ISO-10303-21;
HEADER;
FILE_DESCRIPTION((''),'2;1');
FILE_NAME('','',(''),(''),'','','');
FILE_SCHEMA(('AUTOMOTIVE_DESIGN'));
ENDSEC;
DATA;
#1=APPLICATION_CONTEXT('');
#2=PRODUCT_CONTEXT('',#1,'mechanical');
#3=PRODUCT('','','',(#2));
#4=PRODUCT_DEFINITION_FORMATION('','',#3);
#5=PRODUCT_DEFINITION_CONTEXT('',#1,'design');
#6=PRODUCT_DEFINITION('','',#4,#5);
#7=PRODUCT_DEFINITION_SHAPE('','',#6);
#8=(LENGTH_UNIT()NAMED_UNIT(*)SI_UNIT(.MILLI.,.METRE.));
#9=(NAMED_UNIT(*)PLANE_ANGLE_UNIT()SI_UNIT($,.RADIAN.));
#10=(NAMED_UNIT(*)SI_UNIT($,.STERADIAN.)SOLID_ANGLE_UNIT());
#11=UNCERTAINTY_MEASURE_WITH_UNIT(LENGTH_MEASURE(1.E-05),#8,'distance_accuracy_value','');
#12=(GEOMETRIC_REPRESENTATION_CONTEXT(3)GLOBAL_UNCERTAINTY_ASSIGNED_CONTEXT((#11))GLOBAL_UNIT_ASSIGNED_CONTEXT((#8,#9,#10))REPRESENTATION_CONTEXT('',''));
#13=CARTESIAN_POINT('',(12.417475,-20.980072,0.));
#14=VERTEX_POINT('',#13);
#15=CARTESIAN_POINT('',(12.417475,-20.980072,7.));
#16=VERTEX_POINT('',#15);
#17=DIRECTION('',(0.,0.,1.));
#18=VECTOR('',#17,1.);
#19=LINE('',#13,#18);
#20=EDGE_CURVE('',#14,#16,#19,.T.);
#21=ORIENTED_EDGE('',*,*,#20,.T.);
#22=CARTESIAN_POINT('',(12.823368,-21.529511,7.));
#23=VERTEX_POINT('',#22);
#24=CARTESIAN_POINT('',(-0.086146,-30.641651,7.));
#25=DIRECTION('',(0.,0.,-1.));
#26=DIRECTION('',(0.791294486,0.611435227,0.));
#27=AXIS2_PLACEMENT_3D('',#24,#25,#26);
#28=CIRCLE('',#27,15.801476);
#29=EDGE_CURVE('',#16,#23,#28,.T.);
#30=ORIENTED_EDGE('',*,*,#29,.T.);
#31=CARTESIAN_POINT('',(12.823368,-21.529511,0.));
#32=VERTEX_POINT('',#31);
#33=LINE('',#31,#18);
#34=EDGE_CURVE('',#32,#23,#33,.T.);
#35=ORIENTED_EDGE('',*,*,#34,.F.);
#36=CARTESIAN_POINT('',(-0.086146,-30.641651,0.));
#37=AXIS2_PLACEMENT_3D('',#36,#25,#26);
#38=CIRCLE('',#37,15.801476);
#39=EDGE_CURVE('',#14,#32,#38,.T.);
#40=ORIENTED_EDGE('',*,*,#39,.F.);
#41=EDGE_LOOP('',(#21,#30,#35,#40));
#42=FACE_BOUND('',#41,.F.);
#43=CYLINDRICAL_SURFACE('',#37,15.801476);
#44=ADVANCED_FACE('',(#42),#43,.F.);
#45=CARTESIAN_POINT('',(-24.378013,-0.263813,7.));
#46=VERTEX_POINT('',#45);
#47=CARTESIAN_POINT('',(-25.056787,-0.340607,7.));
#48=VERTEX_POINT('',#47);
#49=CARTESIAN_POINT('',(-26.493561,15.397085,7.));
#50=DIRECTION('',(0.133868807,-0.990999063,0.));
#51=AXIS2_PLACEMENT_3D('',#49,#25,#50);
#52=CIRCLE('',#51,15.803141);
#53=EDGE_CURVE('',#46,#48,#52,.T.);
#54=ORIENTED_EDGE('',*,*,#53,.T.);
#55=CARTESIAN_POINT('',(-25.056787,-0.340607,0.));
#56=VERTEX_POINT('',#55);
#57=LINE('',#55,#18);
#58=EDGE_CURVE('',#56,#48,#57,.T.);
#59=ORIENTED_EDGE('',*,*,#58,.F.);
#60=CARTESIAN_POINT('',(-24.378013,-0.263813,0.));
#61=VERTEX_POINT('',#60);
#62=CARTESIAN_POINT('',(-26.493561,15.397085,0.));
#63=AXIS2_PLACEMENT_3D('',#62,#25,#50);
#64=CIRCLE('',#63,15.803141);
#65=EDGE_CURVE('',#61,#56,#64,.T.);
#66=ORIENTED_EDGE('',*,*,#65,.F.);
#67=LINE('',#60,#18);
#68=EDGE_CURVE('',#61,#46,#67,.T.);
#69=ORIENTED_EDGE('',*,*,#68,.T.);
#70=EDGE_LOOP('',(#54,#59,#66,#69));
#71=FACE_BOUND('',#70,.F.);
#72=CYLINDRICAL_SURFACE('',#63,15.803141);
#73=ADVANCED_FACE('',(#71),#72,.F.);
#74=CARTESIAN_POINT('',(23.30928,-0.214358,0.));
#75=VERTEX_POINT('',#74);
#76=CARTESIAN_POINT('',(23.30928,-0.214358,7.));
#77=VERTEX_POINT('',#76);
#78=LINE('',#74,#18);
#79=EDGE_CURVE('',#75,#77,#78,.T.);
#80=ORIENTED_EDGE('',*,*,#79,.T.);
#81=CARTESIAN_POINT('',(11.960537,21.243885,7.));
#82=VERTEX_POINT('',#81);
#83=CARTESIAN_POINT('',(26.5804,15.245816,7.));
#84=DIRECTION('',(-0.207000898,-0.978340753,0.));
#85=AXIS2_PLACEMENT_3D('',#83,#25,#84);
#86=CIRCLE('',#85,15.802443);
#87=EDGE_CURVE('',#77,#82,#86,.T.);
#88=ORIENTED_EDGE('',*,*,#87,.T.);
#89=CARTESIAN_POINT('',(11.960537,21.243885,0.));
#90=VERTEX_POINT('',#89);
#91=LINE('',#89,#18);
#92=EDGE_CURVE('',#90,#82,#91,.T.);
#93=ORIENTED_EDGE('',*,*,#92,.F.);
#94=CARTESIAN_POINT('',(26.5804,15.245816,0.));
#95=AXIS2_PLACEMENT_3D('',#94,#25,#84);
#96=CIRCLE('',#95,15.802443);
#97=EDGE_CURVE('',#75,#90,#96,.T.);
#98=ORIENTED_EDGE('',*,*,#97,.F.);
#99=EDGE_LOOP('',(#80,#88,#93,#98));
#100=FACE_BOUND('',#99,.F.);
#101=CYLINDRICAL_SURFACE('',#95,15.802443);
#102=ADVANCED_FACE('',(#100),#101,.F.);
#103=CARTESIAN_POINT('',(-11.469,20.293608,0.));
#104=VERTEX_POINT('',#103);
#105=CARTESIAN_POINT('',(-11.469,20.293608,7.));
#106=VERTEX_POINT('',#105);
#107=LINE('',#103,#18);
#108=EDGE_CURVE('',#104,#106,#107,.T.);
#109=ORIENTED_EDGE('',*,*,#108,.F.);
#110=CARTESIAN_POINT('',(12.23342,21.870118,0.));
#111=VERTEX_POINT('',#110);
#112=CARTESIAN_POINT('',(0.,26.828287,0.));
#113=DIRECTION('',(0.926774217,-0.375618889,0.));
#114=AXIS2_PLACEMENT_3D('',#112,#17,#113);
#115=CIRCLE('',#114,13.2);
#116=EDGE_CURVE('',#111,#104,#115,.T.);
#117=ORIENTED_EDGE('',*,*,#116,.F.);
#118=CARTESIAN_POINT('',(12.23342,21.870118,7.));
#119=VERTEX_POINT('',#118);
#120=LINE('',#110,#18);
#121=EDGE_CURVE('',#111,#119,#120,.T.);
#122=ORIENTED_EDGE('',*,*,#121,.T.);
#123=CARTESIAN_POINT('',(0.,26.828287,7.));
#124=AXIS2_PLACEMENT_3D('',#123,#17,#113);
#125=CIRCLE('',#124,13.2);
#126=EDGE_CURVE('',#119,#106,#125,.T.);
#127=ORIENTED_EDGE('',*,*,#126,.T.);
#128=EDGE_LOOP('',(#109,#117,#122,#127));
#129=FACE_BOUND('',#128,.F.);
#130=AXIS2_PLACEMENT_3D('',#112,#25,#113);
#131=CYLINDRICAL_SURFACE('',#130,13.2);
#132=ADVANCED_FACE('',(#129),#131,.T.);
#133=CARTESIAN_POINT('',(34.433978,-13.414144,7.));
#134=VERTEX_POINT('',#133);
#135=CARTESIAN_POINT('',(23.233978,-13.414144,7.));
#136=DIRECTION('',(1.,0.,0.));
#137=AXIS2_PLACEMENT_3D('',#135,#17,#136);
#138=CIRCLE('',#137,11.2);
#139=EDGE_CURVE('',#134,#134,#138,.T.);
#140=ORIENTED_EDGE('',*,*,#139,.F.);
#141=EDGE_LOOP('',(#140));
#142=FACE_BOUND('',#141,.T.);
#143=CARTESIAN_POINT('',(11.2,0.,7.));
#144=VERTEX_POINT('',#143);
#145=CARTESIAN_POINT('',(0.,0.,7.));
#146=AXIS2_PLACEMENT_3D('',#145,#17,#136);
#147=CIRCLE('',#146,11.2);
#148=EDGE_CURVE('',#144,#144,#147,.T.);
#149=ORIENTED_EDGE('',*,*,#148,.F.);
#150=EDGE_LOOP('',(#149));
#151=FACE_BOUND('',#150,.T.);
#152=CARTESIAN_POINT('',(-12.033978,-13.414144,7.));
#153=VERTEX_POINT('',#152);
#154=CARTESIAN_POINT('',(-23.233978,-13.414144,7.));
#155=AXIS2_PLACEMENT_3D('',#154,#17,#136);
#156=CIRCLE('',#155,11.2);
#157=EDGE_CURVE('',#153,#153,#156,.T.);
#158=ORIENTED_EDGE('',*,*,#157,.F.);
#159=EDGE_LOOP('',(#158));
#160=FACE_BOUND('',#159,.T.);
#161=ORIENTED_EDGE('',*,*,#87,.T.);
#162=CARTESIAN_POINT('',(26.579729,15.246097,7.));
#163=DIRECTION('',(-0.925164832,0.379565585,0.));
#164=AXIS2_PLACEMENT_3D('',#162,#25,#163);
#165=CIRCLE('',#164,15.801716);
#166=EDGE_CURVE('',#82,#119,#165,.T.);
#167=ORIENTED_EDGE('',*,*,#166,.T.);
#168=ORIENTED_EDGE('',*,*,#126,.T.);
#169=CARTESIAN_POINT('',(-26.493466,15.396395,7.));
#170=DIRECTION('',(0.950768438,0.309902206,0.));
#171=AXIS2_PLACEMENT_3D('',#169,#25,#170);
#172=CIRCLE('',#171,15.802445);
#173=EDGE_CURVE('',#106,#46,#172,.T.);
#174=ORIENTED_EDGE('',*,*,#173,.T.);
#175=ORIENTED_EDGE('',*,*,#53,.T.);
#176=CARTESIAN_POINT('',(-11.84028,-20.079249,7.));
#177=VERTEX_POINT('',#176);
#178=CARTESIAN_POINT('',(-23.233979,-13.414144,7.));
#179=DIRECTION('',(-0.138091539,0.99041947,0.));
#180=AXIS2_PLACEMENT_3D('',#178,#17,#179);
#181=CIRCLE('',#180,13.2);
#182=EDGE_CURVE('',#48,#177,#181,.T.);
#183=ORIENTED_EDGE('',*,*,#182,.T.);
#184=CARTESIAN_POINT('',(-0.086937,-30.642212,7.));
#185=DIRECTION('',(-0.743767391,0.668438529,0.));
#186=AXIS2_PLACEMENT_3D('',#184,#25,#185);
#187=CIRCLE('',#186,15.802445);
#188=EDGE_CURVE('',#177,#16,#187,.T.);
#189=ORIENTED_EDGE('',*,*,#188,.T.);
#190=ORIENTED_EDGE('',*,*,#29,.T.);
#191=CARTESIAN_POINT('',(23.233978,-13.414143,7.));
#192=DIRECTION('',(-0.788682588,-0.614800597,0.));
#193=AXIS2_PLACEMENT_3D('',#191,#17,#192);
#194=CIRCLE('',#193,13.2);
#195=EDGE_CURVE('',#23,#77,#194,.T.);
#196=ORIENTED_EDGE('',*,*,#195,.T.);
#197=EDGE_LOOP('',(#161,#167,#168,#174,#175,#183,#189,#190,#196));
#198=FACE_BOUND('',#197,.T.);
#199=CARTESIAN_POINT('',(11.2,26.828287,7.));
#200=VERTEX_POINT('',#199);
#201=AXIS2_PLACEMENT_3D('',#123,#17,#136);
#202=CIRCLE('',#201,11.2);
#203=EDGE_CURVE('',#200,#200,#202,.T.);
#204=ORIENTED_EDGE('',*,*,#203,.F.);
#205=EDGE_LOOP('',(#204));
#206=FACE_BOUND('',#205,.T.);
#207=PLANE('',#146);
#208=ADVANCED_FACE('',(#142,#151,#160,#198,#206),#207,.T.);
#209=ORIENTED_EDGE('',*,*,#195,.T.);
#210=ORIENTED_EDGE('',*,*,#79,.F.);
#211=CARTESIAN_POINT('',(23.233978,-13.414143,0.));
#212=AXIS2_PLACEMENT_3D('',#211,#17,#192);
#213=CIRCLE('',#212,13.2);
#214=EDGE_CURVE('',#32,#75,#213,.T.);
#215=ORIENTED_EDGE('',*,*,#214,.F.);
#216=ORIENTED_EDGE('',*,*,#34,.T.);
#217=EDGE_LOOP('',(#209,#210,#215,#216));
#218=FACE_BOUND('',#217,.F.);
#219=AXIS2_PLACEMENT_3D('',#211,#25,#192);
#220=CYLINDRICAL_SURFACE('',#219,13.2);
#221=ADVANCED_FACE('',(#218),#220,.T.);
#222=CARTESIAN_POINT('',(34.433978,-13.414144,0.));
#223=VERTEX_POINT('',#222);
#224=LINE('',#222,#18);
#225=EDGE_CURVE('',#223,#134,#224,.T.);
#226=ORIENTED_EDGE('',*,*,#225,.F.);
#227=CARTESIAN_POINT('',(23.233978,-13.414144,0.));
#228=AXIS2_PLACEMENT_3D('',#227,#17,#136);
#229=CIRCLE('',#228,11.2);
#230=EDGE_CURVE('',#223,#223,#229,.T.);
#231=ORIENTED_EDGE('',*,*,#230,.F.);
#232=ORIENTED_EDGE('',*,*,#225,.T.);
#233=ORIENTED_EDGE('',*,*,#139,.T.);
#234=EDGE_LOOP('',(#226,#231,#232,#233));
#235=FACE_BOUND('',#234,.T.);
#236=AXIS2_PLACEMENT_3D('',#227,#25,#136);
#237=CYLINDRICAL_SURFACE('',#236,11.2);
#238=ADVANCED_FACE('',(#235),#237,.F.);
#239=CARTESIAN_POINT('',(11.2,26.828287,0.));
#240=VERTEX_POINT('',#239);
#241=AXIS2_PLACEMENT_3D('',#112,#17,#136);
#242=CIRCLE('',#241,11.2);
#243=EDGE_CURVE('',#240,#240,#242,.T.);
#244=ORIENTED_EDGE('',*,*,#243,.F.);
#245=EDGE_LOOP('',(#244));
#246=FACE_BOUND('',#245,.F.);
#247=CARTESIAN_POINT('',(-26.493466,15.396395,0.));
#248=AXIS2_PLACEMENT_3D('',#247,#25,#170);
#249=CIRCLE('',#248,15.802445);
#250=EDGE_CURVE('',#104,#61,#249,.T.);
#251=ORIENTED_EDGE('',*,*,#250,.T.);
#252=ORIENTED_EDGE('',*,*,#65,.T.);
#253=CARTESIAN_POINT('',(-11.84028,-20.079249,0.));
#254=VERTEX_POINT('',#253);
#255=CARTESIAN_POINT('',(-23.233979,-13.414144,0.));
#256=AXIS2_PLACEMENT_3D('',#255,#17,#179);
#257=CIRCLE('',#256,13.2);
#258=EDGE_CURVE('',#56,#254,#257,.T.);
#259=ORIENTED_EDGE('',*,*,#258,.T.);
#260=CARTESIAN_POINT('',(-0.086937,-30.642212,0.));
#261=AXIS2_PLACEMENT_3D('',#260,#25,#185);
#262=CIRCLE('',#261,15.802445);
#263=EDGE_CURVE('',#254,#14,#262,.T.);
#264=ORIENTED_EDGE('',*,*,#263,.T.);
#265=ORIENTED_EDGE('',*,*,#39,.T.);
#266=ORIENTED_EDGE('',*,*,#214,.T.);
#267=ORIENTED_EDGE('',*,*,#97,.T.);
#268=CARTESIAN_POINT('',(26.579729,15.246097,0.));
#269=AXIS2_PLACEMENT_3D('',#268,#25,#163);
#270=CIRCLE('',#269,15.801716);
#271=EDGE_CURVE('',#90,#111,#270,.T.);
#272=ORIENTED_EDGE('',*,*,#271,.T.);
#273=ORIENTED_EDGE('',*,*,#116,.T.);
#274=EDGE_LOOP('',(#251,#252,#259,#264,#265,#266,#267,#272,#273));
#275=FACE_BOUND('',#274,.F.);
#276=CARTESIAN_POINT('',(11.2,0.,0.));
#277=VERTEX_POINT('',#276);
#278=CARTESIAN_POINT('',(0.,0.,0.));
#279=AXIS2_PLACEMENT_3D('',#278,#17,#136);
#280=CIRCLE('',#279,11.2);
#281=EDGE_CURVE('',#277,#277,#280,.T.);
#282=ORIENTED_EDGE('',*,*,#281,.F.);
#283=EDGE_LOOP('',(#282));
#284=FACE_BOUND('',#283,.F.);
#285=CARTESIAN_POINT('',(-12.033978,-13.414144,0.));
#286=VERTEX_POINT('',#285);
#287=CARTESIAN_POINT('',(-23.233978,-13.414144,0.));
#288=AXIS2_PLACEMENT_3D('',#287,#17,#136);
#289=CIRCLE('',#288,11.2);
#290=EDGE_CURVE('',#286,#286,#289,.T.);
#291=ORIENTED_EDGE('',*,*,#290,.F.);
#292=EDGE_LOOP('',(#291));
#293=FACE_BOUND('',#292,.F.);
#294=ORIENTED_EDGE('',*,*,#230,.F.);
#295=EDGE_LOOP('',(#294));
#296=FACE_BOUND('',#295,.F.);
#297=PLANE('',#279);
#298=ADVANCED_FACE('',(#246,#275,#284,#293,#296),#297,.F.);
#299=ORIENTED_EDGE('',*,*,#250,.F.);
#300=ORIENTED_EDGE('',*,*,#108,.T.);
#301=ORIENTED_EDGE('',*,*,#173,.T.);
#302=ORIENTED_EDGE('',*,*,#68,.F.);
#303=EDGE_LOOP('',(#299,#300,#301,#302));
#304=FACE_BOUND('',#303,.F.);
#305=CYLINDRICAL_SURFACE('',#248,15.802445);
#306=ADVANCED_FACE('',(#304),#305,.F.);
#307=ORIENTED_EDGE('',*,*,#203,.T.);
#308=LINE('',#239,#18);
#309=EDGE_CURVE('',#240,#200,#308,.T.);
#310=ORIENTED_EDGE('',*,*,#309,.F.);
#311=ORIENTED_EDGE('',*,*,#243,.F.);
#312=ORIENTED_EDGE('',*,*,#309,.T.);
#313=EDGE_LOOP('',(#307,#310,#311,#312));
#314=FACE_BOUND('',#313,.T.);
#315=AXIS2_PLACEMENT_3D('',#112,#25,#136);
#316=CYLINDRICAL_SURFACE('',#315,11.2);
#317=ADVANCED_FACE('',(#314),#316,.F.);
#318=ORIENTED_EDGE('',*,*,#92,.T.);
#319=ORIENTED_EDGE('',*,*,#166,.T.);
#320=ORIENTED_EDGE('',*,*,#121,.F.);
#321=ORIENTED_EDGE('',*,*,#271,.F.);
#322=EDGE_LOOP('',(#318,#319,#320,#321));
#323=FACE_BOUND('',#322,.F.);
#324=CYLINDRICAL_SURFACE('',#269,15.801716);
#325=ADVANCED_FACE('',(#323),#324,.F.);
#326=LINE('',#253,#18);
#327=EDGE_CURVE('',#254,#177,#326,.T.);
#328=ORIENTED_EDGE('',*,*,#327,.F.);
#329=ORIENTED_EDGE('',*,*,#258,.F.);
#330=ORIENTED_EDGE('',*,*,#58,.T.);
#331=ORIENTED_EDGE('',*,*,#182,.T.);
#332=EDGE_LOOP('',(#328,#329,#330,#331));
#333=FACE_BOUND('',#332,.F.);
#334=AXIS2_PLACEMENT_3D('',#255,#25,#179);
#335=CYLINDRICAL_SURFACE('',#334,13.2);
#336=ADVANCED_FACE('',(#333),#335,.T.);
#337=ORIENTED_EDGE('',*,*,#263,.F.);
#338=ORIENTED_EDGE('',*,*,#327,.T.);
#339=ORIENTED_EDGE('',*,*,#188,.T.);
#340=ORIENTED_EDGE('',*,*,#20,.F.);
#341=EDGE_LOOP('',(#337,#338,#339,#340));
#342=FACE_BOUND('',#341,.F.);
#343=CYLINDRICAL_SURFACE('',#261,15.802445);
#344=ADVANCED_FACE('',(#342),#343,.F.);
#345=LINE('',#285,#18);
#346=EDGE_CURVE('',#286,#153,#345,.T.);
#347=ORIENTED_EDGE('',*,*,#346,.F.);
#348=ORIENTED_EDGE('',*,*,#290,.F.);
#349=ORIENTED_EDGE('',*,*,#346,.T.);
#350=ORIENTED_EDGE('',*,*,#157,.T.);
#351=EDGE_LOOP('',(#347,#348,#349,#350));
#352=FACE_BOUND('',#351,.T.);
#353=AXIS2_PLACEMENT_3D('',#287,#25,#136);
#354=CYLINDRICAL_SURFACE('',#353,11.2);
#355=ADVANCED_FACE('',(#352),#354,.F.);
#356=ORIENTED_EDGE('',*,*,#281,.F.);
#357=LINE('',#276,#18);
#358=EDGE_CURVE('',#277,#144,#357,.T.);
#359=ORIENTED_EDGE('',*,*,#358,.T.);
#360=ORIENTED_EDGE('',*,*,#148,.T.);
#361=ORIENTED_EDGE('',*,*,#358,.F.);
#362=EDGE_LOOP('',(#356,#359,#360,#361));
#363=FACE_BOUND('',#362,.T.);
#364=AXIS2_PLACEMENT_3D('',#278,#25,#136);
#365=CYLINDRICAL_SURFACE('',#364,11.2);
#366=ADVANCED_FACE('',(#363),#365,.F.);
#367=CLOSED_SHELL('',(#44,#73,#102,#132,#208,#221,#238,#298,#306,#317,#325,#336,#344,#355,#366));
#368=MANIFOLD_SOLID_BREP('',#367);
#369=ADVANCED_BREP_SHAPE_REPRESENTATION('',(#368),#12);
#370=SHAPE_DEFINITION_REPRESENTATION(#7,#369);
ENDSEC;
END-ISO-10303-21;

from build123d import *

# Parameters (mm, degrees)
F0_R     = 11.2
F1_DEPTH = 7


with BuildPart() as f1:
    # F0 (on Top) → F1 (new body)
    with BuildSketch(Plane.XY):
        with BuildLine():
            ThreePointArc((23.30928, -0.214358), (12.611296, 7.857897), (11.960537, 21.243885))
            ThreePointArc((11.960537, 21.243885), (12.093594, 21.558476), (12.23342, 21.870118))
            ThreePointArc((12.23342, 21.870118), (-0.876031, 39.999186), (-11.469, 20.293608))
            ThreePointArc((-11.469, 20.293608), (-13.110787, 6.992755), (-24.378013, -0.263813))
            ThreePointArc((-24.378013, -0.263813), (-24.716985, -0.305878), (-25.056787, -0.340607))
            ThreePointArc((-25.056787, -0.340607), (-34.202296, -20.758258), (-11.84028, -20.079249))
            ThreePointArc((-11.84028, -20.079249), (0.49949, -14.850652), (12.417475, -20.980072))
            ThreePointArc((12.417475, -20.980072), (12.623391, -21.252598), (12.823368, -21.529511))
            ThreePointArc((12.823368, -21.529511), (35.078326, -19.240928), (23.30928, -0.214358))
        make_face()
        with Locations((-23.233978, -13.414144)):
            Circle(F0_R, mode=Mode.SUBTRACT)
        with Locations((23.233978, -13.414144)):
            Circle(F0_R, mode=Mode.SUBTRACT)
        Circle(F0_R, mode=Mode.SUBTRACT)
        with Locations((0, 26.828287)):
            Circle(F0_R, mode=Mode.SUBTRACT)
    extrude(amount=F1_DEPTH)


solid = f1.part
